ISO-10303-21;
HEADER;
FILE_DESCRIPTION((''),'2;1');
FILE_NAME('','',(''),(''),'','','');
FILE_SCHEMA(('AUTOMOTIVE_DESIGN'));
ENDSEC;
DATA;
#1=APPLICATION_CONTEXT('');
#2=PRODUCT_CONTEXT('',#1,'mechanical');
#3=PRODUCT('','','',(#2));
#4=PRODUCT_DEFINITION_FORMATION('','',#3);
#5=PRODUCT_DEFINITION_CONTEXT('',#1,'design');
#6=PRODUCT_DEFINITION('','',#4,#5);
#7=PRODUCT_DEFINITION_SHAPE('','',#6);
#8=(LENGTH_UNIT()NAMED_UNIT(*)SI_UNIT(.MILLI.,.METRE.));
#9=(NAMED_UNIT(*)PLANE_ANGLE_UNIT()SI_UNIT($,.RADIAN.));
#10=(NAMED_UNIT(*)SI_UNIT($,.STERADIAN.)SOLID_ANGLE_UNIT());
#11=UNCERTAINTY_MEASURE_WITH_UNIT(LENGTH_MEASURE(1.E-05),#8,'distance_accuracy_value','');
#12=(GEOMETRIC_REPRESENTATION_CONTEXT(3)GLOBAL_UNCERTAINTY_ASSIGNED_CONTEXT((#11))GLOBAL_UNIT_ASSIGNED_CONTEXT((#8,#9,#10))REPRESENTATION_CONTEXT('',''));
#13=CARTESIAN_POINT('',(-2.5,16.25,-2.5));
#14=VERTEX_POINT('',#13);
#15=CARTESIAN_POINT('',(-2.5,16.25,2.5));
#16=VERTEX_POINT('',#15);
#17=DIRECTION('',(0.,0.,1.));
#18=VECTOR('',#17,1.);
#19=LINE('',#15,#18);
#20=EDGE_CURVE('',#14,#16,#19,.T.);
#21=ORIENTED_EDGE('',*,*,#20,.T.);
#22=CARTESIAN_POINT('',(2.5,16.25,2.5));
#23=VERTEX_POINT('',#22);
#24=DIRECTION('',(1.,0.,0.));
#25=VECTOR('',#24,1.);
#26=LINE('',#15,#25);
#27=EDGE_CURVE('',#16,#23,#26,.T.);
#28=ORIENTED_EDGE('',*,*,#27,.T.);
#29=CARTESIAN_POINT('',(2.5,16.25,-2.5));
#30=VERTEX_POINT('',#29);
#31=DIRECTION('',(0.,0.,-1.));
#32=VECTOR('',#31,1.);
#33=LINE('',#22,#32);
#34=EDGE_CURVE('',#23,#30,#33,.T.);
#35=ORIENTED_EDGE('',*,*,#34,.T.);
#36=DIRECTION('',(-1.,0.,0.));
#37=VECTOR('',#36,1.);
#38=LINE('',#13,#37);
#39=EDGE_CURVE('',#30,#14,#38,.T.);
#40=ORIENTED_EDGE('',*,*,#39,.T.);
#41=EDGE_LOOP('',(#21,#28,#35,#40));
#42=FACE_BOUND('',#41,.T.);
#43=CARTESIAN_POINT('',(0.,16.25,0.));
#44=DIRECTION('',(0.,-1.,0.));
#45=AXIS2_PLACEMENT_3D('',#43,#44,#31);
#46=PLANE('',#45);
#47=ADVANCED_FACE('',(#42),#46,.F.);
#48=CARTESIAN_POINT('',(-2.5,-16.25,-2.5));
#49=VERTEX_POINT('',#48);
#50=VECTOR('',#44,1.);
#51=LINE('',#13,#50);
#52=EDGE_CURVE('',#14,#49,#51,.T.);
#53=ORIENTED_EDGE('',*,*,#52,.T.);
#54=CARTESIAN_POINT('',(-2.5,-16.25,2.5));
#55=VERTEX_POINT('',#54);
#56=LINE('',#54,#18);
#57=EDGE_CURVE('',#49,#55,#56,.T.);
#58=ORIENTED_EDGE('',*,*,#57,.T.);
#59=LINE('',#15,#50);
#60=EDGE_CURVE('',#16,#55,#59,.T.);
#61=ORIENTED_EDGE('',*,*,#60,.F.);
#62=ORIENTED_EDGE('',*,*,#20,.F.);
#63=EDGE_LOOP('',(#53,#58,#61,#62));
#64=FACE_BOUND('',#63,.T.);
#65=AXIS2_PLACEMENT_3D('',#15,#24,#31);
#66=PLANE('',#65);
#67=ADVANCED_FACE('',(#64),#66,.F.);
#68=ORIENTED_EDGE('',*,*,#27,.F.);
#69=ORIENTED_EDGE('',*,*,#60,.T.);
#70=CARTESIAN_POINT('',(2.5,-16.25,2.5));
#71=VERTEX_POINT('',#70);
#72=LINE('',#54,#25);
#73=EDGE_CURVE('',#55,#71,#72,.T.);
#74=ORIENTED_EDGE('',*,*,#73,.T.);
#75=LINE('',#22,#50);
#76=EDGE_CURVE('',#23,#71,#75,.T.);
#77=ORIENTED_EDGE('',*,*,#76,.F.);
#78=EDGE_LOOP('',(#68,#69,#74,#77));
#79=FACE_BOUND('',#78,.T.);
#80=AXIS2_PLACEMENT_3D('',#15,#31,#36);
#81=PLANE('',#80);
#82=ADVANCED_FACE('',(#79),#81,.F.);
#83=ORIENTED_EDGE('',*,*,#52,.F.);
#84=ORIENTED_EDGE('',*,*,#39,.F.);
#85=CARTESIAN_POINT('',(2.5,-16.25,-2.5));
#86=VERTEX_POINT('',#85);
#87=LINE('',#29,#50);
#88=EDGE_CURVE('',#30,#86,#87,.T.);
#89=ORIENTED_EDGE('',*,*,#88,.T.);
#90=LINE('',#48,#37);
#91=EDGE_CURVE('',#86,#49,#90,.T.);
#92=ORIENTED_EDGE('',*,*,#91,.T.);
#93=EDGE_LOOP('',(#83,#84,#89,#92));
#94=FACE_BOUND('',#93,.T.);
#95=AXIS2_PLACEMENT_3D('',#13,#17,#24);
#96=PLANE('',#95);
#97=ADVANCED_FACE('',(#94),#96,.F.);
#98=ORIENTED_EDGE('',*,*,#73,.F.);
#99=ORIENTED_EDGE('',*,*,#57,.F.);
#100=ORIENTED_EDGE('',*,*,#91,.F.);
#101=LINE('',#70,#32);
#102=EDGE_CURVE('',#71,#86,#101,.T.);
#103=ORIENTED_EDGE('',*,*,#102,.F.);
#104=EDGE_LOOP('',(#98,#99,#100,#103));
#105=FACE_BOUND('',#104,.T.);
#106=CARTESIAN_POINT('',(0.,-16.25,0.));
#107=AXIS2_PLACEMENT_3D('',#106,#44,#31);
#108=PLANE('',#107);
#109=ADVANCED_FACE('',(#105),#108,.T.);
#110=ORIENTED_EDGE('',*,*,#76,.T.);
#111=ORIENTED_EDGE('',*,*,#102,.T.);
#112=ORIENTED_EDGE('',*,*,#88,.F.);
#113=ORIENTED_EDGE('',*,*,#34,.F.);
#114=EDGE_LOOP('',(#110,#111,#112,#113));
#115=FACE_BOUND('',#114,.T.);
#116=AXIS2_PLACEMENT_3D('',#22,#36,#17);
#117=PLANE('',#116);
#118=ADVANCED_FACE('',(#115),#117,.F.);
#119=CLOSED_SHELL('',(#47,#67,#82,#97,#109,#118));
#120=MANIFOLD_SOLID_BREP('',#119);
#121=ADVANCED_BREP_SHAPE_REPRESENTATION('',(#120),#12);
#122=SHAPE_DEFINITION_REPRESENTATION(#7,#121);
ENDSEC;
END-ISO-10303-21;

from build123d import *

# Parameters (mm, degrees)
CROQUIS1_W              = 5
CROQUIS1_H              = 5
SALIENTE_EXTRUIR1_DEPTH = 16.25


with BuildPart() as part:
    # Croquis1 → Saliente-Extruir1 (new, symmetric)
    with BuildSketch(Plane(origin=(0, 0, 0), x_dir=(1, 0, 0), z_dir=(0, 1, 0))):
        Rectangle(CROQUIS1_W, CROQUIS1_H)
    extrude(amount=SALIENTE_EXTRUIR1_DEPTH, both=True)


solid = part.part
